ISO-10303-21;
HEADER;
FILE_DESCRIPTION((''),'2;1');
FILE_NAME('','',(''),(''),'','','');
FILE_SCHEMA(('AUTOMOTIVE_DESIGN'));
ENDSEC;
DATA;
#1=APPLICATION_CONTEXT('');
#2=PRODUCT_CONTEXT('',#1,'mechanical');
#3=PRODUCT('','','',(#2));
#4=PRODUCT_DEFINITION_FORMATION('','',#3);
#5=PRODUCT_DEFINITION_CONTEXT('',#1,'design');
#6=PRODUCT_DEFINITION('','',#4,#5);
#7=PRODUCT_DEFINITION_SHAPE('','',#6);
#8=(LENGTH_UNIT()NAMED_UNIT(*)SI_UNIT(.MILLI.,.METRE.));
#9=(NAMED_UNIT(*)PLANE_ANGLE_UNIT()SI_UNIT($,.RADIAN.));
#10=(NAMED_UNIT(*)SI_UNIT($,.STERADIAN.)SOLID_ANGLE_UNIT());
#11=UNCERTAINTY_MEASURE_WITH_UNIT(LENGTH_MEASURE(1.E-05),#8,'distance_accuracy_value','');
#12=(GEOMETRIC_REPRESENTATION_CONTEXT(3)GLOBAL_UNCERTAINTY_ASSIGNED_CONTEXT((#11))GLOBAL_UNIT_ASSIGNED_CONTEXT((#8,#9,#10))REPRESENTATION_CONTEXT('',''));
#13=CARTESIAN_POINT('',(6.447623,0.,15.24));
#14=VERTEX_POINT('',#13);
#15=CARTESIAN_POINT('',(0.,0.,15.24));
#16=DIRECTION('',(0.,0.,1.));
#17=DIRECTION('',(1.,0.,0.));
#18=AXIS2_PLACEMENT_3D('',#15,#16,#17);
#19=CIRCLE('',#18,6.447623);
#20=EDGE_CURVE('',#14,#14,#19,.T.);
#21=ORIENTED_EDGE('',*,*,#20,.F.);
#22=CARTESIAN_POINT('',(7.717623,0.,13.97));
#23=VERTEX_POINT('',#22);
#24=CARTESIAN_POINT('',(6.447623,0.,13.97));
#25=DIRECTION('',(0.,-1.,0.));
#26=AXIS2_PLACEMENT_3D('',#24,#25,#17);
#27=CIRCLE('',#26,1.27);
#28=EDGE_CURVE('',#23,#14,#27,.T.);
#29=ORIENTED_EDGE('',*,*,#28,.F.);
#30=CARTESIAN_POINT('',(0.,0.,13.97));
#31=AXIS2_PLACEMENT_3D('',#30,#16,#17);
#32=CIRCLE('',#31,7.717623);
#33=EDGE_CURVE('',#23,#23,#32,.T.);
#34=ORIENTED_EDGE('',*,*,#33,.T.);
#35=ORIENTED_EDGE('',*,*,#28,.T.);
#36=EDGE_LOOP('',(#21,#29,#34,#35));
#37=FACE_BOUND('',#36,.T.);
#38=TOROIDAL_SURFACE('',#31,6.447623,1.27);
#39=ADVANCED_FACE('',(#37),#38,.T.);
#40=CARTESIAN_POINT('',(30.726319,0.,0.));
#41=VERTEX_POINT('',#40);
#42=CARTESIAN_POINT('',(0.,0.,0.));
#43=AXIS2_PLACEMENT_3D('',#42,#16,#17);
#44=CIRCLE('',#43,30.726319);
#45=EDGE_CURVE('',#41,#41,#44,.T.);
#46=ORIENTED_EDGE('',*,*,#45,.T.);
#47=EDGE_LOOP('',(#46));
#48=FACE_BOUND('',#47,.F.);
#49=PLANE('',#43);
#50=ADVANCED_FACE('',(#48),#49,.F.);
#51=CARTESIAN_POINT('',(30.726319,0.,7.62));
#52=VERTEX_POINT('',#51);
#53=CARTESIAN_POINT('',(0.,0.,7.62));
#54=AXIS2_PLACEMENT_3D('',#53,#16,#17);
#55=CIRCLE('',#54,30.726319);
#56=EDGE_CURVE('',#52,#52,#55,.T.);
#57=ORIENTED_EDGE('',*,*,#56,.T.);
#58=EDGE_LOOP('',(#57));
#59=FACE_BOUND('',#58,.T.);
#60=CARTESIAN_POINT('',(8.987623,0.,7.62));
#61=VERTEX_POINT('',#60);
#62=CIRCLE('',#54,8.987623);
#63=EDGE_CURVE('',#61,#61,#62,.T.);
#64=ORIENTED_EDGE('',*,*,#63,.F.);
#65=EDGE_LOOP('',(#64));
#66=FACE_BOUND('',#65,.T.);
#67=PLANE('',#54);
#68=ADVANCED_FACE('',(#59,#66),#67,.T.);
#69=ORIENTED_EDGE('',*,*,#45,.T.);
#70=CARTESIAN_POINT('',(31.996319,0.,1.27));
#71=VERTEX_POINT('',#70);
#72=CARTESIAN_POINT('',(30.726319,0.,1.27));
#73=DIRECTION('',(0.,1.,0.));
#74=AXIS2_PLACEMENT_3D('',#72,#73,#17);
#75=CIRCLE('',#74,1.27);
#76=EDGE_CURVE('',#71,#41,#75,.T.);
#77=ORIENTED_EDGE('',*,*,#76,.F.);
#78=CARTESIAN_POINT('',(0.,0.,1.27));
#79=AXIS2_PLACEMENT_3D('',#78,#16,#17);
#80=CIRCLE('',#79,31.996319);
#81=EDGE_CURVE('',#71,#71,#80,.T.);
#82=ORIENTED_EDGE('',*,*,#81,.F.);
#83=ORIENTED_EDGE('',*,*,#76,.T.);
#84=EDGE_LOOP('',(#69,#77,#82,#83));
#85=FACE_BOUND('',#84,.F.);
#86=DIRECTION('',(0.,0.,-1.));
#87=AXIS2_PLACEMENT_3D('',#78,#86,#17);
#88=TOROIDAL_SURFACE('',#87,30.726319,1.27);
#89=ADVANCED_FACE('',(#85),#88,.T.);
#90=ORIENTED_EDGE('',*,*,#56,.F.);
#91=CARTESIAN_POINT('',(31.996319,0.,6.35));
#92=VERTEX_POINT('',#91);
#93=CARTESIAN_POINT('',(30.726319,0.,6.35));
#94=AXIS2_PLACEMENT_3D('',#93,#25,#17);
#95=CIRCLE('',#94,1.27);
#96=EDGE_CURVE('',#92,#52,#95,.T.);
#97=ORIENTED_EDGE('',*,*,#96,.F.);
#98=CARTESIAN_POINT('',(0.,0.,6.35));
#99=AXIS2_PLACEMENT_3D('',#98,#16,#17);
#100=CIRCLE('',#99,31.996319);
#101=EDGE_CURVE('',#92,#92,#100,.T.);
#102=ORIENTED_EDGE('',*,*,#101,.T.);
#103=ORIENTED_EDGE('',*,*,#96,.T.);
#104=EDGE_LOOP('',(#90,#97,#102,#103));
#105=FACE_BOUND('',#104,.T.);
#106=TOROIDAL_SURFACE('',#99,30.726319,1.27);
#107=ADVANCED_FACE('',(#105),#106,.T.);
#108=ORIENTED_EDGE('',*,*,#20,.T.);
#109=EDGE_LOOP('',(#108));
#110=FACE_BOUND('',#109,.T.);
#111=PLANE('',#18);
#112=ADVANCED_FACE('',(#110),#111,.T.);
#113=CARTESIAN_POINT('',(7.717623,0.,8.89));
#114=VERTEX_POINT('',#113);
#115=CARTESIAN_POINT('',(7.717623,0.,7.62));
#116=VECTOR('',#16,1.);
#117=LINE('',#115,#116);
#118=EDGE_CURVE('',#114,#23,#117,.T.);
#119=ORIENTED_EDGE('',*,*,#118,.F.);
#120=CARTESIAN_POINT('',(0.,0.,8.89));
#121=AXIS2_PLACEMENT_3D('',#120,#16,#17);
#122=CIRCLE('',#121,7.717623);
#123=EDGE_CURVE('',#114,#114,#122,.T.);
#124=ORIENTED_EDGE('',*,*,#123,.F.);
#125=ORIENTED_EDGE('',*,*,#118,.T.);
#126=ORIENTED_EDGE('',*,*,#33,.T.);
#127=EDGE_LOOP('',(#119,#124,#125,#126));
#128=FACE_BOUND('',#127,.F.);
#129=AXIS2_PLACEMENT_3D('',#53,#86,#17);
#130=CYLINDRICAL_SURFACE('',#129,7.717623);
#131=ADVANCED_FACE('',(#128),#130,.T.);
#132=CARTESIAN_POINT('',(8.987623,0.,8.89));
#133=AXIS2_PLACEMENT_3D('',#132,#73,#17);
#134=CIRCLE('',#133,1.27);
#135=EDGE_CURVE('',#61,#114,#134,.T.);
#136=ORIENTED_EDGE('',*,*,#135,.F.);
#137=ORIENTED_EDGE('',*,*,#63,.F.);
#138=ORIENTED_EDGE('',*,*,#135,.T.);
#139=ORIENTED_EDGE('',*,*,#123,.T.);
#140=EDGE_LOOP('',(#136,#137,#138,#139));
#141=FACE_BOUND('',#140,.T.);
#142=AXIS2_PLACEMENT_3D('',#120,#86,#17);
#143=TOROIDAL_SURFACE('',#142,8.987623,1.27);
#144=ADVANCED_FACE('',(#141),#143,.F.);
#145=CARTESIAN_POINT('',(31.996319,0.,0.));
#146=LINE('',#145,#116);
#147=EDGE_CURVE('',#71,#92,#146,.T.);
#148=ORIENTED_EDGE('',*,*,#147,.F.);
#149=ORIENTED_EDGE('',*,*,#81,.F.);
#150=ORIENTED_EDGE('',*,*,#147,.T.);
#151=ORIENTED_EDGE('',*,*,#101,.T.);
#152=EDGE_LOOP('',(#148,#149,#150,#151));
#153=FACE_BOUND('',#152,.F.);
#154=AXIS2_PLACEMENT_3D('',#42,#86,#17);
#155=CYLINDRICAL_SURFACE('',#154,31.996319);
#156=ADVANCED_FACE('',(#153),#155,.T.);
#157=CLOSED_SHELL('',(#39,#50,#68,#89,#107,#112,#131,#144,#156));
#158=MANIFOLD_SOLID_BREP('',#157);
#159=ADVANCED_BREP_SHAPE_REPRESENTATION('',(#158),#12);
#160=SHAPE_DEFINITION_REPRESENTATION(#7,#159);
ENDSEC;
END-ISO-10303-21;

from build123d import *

# Parameters (mm, degrees)
F0_R     = 31.996319
F1_DEPTH = 7.62
F2_R     = 7.717623
F3_DEPTH = 7.62
F4_R     = 1.27


with BuildPart() as f1:
    # F0 (on Top) → F1 (new body)
    with BuildSketch(Plane.XY):
        Circle(F0_R)
    extrude(amount=F1_DEPTH)

    # F2 (on face) → F3 (join)
    with BuildSketch(Plane.XY.offset(7.62)):
        Circle(F2_R)
    extrude(amount=F3_DEPTH)

    # F4
    f4_edges = [f1.edges().sort_by_distance(p)[0] for p in [
        (-7.717623, 0, 15.24),
        (-31.996319, 0, 7.62),
        (-7.717623, 0, 7.62),
        (-31.996319, 0, 0),
    ]]
    fillet(f4_edges, radius=F4_R)


solid = f1.part
